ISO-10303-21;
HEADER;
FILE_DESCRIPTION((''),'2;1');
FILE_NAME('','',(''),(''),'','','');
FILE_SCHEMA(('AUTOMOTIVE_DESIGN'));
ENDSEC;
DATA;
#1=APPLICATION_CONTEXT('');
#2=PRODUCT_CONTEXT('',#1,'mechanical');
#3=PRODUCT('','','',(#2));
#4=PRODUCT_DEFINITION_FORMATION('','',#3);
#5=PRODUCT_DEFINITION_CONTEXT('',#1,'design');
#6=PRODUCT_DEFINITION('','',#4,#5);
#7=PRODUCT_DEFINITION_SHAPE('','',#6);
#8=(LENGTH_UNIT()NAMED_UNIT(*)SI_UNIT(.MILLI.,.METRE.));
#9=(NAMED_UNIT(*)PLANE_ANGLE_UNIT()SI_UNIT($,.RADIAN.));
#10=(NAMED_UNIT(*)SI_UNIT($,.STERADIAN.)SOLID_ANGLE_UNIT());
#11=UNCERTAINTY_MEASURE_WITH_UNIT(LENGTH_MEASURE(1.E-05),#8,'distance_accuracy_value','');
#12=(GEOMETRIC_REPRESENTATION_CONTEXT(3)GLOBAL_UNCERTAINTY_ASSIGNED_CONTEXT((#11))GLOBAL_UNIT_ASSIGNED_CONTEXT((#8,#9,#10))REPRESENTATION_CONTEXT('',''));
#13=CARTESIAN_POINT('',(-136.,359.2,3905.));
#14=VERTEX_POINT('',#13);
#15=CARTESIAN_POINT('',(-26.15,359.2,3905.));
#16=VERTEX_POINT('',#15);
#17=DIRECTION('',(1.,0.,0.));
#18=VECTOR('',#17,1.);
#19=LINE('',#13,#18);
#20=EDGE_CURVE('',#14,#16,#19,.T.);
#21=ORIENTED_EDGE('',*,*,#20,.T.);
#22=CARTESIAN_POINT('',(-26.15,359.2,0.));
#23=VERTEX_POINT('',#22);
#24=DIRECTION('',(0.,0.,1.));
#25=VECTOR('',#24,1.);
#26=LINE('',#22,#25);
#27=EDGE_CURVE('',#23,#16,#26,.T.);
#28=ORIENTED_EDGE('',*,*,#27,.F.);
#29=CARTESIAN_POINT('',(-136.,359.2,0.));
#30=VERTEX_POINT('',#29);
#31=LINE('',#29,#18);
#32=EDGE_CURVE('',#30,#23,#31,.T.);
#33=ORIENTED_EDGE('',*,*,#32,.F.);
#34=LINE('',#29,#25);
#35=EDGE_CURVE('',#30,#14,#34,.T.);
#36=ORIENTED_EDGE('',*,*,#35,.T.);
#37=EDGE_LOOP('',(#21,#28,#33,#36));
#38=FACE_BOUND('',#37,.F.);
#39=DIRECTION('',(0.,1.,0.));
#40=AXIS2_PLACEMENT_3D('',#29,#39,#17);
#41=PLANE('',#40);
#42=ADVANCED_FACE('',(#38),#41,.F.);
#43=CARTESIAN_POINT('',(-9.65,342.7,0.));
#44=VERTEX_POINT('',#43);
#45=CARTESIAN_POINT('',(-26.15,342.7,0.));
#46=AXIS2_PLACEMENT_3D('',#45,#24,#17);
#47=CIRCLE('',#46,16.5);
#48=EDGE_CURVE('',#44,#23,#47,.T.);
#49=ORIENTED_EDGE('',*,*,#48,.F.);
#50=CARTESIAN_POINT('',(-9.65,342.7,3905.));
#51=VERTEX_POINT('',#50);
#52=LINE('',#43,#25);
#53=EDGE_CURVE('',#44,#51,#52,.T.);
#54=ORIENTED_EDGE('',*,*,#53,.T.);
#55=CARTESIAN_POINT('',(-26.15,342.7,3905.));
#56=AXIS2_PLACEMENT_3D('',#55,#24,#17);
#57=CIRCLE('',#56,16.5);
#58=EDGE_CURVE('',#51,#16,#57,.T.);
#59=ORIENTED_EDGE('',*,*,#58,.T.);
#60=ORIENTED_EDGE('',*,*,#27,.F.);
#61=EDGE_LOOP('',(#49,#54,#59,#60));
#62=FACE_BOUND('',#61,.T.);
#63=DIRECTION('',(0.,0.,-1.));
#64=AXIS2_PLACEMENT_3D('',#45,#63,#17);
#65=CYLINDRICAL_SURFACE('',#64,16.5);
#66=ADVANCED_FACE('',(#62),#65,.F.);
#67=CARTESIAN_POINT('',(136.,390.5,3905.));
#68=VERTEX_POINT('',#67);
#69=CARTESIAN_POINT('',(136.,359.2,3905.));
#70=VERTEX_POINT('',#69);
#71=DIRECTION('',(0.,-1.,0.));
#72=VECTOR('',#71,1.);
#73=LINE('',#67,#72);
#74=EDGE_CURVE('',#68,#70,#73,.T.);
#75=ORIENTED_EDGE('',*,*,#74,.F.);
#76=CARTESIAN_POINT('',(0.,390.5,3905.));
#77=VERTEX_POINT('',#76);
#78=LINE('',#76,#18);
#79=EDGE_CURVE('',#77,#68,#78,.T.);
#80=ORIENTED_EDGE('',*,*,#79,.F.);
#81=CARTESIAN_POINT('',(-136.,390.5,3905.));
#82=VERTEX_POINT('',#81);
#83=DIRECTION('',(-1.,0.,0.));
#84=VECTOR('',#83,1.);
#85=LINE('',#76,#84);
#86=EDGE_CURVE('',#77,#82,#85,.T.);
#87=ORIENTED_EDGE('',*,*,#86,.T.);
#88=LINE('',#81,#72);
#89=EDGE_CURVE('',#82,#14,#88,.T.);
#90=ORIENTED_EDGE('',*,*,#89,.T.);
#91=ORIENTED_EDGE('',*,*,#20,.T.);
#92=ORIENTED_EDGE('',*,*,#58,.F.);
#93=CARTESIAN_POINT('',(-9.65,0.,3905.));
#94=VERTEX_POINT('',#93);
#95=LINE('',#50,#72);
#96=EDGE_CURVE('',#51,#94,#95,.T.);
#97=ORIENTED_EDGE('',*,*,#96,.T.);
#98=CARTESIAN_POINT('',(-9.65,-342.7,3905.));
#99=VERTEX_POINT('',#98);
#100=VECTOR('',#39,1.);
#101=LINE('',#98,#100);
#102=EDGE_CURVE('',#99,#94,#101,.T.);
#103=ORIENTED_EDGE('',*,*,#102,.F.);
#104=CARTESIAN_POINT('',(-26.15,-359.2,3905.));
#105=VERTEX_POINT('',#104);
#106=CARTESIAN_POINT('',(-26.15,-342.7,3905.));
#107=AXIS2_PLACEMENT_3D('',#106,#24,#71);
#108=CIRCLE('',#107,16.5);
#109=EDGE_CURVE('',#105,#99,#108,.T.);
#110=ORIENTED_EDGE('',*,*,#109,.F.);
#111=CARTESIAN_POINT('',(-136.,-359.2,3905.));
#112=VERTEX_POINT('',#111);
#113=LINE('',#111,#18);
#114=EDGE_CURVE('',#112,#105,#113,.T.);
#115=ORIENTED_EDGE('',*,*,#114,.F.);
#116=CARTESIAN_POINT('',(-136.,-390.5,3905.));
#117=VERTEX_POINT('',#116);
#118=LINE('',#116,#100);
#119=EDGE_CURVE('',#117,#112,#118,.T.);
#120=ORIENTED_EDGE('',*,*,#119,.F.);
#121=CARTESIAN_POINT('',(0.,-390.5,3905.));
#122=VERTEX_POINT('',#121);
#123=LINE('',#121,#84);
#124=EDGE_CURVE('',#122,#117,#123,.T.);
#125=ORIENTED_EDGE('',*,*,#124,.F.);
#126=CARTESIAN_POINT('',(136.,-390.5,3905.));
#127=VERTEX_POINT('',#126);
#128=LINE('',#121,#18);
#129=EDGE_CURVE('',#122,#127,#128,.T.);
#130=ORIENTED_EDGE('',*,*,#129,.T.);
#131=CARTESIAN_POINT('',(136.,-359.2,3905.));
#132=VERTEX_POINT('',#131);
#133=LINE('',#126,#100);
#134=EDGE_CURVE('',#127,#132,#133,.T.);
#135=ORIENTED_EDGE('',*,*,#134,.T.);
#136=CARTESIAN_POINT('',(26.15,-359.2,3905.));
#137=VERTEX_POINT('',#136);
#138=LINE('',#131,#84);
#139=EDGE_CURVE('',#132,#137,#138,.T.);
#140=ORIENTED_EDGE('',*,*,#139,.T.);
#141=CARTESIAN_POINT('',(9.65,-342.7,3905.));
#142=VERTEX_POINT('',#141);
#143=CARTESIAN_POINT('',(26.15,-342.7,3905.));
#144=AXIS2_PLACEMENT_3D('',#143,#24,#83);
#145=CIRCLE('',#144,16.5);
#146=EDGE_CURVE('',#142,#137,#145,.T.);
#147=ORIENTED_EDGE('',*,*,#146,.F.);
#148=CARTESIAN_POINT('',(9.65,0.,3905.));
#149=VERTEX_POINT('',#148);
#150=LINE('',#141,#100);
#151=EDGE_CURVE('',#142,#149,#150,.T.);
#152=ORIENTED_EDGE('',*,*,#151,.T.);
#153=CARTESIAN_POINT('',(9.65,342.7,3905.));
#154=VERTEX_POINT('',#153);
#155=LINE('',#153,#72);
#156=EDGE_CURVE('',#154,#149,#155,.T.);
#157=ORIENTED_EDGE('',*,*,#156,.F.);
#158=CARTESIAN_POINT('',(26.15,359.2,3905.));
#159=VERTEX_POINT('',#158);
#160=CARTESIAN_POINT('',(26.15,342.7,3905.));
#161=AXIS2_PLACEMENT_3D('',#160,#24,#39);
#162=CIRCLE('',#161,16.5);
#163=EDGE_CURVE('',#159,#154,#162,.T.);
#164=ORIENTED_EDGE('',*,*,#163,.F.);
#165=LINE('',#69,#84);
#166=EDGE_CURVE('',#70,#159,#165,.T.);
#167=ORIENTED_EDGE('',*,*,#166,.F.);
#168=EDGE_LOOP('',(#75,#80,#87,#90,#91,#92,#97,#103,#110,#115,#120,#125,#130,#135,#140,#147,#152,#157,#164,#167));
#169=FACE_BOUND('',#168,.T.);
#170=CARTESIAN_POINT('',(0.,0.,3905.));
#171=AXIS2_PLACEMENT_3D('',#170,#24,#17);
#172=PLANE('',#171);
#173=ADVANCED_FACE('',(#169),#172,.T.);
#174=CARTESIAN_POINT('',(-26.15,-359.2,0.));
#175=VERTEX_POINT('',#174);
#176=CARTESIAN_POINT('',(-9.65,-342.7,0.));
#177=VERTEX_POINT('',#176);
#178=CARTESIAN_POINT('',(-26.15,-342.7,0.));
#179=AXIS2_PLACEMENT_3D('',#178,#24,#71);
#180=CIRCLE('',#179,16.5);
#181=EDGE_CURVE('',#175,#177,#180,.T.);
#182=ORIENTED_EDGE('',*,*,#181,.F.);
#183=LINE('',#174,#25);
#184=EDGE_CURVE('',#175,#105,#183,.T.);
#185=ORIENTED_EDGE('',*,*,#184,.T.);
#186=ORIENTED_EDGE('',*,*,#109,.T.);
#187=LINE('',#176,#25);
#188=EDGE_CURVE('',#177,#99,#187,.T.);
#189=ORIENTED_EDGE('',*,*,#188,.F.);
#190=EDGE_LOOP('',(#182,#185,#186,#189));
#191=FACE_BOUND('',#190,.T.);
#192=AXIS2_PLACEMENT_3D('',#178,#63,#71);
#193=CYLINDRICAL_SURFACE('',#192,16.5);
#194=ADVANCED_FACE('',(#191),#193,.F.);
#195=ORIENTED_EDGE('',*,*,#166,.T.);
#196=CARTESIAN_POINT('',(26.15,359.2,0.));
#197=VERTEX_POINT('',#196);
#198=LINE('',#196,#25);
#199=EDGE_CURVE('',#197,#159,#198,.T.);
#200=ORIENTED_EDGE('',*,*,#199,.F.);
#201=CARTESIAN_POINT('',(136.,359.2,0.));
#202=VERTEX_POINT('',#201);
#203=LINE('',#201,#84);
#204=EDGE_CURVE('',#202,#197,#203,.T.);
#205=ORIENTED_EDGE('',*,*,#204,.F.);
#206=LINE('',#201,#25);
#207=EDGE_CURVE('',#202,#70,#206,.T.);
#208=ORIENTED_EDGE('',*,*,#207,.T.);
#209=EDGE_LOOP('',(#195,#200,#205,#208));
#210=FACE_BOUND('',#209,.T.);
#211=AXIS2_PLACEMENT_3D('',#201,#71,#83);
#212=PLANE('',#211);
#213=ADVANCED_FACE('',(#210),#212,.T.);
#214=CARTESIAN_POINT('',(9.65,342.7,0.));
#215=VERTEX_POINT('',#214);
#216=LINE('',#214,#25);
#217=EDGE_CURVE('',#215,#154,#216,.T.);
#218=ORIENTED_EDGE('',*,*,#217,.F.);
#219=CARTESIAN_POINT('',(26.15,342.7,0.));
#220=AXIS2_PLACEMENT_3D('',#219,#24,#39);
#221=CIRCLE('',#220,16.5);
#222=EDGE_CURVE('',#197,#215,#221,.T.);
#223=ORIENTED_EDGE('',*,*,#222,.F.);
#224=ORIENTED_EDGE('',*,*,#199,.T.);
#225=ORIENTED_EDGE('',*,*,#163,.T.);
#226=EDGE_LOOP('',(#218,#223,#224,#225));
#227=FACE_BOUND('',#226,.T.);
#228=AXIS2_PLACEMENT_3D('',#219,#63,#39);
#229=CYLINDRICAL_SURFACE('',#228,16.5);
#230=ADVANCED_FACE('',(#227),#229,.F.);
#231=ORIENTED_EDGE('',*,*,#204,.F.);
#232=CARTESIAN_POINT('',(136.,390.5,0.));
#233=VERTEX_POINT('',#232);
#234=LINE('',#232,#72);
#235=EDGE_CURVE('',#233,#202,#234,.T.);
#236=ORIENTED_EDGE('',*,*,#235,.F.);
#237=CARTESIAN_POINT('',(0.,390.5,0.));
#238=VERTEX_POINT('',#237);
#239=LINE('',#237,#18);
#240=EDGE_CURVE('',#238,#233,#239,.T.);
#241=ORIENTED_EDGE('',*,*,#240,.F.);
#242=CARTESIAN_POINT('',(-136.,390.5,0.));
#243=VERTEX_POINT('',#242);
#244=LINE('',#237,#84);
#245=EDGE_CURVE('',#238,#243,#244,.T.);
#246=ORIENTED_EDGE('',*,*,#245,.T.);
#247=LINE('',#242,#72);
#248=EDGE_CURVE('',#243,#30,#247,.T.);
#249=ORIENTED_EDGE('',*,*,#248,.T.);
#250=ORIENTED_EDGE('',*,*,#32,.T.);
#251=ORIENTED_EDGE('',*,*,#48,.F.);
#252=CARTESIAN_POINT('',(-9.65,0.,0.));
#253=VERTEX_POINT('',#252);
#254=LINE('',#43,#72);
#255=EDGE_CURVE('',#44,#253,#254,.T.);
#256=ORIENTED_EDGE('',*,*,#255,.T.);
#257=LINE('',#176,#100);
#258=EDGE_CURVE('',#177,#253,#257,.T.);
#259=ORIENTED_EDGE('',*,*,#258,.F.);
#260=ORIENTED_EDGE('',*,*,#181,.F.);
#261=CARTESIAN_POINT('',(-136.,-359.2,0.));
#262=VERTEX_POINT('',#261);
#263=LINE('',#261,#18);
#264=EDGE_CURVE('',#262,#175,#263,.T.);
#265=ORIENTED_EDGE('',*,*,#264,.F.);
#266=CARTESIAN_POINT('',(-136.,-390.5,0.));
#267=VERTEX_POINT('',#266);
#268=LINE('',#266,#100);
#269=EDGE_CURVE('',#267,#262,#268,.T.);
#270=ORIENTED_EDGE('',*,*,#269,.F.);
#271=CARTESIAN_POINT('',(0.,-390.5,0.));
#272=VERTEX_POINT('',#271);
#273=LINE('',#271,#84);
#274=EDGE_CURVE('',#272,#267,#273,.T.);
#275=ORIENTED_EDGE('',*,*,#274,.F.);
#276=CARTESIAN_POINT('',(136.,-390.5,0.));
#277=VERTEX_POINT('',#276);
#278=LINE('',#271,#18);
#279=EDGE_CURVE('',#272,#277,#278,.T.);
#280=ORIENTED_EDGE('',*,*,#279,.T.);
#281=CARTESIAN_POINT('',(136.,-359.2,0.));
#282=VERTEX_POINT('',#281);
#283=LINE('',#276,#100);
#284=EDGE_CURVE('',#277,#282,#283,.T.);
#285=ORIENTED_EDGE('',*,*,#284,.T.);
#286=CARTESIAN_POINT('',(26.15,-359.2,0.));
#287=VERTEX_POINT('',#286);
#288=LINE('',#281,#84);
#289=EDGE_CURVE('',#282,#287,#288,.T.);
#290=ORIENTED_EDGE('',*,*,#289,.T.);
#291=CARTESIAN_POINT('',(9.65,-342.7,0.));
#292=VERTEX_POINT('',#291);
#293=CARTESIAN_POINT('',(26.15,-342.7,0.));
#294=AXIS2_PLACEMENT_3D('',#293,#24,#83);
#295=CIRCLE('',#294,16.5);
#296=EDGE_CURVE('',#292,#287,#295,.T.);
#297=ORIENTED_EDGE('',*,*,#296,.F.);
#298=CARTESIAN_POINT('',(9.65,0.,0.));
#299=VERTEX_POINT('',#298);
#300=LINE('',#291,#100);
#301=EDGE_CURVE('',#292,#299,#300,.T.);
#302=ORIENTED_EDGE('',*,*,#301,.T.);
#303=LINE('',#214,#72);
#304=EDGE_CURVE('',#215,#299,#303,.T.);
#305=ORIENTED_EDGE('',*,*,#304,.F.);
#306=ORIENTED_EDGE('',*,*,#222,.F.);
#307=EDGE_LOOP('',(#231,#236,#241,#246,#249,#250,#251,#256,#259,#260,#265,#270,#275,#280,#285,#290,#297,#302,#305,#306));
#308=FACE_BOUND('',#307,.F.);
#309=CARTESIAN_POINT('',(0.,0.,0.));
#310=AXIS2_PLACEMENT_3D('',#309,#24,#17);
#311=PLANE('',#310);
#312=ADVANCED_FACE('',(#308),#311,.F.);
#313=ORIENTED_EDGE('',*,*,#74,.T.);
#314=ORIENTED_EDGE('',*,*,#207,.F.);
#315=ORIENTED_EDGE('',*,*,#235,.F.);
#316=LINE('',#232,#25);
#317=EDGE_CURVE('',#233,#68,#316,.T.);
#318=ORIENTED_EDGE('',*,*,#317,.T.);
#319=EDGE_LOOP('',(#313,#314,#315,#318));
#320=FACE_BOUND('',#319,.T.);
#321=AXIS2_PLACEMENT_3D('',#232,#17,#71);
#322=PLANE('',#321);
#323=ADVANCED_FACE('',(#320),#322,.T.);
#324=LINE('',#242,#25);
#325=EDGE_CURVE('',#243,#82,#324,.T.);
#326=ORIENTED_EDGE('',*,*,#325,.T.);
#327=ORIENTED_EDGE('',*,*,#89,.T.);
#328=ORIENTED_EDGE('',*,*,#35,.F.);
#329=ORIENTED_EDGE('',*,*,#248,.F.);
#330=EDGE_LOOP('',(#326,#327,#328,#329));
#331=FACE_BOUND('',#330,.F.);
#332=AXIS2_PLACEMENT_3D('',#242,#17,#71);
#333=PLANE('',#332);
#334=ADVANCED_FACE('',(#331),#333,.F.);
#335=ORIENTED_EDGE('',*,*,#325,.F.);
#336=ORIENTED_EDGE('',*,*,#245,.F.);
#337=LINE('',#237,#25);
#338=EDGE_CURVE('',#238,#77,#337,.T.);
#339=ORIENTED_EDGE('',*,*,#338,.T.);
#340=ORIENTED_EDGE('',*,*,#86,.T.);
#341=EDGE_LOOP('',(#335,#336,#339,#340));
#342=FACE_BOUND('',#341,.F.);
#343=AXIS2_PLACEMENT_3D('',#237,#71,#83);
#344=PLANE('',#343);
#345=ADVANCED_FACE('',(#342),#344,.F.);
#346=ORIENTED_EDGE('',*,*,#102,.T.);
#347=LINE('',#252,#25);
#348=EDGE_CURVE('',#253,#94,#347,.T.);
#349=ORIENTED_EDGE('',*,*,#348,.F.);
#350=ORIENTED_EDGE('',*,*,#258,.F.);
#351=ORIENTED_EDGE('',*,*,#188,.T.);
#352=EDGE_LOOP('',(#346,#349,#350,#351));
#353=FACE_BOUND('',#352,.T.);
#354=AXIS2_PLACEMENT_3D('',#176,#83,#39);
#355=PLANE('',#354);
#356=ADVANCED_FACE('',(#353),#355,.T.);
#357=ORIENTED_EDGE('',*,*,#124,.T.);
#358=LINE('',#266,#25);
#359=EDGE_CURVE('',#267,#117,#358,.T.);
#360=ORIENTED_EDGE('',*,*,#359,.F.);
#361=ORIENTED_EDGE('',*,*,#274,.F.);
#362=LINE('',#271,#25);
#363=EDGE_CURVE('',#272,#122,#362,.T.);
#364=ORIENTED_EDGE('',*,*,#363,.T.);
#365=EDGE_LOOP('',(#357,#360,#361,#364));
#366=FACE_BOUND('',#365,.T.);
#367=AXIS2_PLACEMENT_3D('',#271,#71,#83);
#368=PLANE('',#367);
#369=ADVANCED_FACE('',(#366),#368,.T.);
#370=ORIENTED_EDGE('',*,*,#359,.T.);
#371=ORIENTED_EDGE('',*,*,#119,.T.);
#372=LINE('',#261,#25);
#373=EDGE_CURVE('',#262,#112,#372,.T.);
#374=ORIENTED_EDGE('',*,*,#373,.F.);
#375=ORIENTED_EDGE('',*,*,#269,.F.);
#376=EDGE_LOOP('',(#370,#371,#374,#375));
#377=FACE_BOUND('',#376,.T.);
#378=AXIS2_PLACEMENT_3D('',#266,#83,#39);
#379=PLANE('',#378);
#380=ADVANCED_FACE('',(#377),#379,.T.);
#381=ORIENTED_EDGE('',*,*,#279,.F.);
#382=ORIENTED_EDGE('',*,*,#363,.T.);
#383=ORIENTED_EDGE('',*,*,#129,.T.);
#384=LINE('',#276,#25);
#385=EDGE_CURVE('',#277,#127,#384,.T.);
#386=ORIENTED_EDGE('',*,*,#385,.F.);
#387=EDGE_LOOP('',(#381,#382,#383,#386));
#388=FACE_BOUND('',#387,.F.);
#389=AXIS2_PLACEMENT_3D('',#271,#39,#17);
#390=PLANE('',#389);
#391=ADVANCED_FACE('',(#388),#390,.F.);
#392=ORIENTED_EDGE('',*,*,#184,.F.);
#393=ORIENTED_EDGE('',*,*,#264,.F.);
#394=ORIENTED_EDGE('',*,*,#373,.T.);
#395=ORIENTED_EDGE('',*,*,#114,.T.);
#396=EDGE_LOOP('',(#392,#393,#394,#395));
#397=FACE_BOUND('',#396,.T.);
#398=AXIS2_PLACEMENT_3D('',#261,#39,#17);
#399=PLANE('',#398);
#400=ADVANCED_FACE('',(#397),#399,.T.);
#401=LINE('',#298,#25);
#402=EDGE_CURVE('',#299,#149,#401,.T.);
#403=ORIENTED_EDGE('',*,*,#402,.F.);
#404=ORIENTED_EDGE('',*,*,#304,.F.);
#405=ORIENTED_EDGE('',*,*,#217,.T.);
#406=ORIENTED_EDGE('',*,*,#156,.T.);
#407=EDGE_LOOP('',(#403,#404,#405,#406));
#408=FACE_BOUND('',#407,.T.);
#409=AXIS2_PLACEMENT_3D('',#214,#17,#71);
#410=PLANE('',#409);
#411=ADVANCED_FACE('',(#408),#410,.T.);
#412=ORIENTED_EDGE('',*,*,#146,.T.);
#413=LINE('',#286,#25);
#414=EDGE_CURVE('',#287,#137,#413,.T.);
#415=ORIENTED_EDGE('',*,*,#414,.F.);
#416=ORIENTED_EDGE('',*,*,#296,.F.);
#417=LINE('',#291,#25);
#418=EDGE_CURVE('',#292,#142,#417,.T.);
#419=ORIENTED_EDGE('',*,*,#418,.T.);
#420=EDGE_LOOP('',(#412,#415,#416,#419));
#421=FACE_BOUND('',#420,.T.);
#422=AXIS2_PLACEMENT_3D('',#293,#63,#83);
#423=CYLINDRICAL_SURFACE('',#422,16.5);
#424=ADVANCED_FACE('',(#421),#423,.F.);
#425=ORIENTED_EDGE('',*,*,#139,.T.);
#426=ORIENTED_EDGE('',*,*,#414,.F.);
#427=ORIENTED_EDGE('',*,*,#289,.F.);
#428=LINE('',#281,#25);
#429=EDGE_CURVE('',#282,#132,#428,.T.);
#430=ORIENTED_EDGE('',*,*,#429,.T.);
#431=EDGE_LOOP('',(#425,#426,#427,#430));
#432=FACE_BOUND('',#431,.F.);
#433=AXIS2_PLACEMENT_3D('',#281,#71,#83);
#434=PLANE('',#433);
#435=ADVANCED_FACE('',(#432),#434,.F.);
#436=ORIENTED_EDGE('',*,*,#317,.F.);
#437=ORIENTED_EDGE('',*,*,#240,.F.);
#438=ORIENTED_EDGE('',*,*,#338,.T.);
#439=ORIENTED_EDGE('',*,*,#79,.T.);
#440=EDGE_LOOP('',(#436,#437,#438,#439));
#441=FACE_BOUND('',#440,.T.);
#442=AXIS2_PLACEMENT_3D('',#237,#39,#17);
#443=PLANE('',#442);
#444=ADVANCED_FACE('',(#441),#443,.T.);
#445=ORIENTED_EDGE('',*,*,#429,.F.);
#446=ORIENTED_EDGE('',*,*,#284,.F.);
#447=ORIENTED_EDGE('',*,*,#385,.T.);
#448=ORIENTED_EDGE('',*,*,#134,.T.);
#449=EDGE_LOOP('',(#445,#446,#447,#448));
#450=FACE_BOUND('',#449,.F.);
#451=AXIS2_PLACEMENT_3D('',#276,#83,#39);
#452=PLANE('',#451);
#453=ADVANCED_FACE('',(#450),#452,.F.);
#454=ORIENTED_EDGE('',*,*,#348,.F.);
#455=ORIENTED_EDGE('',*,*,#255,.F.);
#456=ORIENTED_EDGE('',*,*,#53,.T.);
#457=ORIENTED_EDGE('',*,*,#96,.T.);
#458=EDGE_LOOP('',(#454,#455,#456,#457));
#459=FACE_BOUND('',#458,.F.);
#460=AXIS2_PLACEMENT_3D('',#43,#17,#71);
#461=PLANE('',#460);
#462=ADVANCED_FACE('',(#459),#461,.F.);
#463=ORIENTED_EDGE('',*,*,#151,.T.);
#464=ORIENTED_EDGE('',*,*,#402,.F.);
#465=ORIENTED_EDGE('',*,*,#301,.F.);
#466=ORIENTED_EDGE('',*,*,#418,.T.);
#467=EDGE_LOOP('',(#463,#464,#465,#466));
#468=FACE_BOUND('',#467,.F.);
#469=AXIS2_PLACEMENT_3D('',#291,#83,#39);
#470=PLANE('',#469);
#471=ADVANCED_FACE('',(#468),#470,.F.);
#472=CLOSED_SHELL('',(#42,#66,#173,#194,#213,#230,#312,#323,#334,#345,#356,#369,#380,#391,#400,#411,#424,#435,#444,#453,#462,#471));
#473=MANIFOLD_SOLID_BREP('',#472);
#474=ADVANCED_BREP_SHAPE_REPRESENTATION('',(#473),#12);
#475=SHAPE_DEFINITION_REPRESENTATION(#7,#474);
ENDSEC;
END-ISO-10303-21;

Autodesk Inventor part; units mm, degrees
ref_plane "YZ Plane" through (0, 0, 0) normal (1, 0, 0) x (0, 1, 0)
ref_plane "Start plane" through (0, 0, 0) normal (0, 0, 1) x (1, 0, 0)
ref_plane "End plane" through (0, 0, 3905) normal (0, 0, 1) x (1, 0, 0)
sketch "Sketch" plane through (0, 0, 0) normal (0, 0, 1) x (1, 0, 0)
  line L0 (-136, -390.5) -> (-136, -359.2)
  line L1 (-136, -359.2) -> (-26.15, -359.2)
  line L2 (-9.65, -342.7) -> (-9.65, 0)
  line L3 (-9.65, 0) -> (0, 0) construction
  line L4 (0, 0) -> (0, -390.5) construction
  line L5 (0, -390.5) -> (-136, -390.5)
  line L6 (-60, 0) -> (80, 0) construction
  line L7 (0, -60) -> (0, 80) construction
  line L8 (136, -390.5) -> (136, -359.2)
  line L9 (136, -359.2) -> (26.15, -359.2)
  line L10 (9.65, -342.7) -> (9.65, 0)
  line L11 (9.65, 0) -> (0, 0) construction
  line L12 (0, -390.5) -> (136, -390.5)
  line L13 (-136, 390.5) -> (-136, 359.2)
  line L14 (-136, 359.2) -> (-26.15, 359.2)
  line L15 (-9.65, 342.7) -> (-9.65, 0)
  line L16 (0, 390.5) -> (-136, 390.5)
  line L17 (136, 390.5) -> (136, 359.2)
  line L18 (136, 359.2) -> (26.15, 359.2)
  line L19 (0, 390.5) -> (136, 390.5)
  line L20 (9.65, 342.7) -> (9.65, 0)
  arc A0 (-9.65, 342.7) -> (-26.15, 359.2) centre (-26.15, 342.7) ccw
  arc A1 (26.15, 359.2) -> (9.65, 342.7) centre (26.15, 342.7) ccw
  arc A2 (9.65, -342.7) -> (26.15, -359.2) centre (26.15, -342.7) ccw
  arc A3 (-26.15, -359.2) -> (-9.65, -342.7) centre (-26.15, -342.7) ccw
  line L21 (0, 108) -> (0, -88) construction
  line L22 (-88, 0) -> (108, 0) construction
  point P0 (-9.65, -359.2)
  point P1 (9.65, -359.2)
  point P2 (-9.65, 359.2)
  point P3 (9.65, 359.2)
  dimension "d1" = 390.5
  dimension "d2" = 31.3
  dimension "d3" = 136
  dimension "d4" = 9.65
  dimension "d10" = 16.5
extrude "Body" add sketch "Sketch" along normal up to surface (3905 mm away) from surface at 0
sketch "Sketch4" plane through (0, 0, 0) normal (0, 0, 1) x (1, 0, 0)
  line L0 (0, 0) -> (10, 0)
ref_plane "Work Plane3" through (0, 0, 0) normal (0, -1, 0) x (1, 0, 0)
sketch "Sketch5" plane through (0, 0, 0) normal (0, -1, 0) x (1, 0, 0)
  line L0 (-2, 0) -> (12, 0) projected
  line L1 (-2, 3905) -> (12, 3905) projected
  dimension "d14" = 3905
equation "\"d1\" = 0.5 * G_H"
equation "\"d2\" = G_T1"
equation "\"d3\" = 0.5 * G_W"
equation "\"d4\" = 0.5 * G_T"
equation "\"d10\" = G_IR"
equation "\"d5\" = G_L"
equation "\"G_W\" = 272"
equation "\"G_H\" = 781"
equation "\"G_T\" = 19.3"
equation "\"G_T1\" = 31.3"
equation "\"G_IR\" = 16.5"
equation "\"G_L\" = d14"
equation "\"G_OFFSET_START\" = 0"
equation "\"G_OFFSET_END\" = 0"
equation "\"d12\" = G_OFFSET_END + B_L"
equation "\"B_L\" = 3905"
properties part number "AS 3679-1990 - 760 UB - 244 - 3905" material "Steel, Mild"
